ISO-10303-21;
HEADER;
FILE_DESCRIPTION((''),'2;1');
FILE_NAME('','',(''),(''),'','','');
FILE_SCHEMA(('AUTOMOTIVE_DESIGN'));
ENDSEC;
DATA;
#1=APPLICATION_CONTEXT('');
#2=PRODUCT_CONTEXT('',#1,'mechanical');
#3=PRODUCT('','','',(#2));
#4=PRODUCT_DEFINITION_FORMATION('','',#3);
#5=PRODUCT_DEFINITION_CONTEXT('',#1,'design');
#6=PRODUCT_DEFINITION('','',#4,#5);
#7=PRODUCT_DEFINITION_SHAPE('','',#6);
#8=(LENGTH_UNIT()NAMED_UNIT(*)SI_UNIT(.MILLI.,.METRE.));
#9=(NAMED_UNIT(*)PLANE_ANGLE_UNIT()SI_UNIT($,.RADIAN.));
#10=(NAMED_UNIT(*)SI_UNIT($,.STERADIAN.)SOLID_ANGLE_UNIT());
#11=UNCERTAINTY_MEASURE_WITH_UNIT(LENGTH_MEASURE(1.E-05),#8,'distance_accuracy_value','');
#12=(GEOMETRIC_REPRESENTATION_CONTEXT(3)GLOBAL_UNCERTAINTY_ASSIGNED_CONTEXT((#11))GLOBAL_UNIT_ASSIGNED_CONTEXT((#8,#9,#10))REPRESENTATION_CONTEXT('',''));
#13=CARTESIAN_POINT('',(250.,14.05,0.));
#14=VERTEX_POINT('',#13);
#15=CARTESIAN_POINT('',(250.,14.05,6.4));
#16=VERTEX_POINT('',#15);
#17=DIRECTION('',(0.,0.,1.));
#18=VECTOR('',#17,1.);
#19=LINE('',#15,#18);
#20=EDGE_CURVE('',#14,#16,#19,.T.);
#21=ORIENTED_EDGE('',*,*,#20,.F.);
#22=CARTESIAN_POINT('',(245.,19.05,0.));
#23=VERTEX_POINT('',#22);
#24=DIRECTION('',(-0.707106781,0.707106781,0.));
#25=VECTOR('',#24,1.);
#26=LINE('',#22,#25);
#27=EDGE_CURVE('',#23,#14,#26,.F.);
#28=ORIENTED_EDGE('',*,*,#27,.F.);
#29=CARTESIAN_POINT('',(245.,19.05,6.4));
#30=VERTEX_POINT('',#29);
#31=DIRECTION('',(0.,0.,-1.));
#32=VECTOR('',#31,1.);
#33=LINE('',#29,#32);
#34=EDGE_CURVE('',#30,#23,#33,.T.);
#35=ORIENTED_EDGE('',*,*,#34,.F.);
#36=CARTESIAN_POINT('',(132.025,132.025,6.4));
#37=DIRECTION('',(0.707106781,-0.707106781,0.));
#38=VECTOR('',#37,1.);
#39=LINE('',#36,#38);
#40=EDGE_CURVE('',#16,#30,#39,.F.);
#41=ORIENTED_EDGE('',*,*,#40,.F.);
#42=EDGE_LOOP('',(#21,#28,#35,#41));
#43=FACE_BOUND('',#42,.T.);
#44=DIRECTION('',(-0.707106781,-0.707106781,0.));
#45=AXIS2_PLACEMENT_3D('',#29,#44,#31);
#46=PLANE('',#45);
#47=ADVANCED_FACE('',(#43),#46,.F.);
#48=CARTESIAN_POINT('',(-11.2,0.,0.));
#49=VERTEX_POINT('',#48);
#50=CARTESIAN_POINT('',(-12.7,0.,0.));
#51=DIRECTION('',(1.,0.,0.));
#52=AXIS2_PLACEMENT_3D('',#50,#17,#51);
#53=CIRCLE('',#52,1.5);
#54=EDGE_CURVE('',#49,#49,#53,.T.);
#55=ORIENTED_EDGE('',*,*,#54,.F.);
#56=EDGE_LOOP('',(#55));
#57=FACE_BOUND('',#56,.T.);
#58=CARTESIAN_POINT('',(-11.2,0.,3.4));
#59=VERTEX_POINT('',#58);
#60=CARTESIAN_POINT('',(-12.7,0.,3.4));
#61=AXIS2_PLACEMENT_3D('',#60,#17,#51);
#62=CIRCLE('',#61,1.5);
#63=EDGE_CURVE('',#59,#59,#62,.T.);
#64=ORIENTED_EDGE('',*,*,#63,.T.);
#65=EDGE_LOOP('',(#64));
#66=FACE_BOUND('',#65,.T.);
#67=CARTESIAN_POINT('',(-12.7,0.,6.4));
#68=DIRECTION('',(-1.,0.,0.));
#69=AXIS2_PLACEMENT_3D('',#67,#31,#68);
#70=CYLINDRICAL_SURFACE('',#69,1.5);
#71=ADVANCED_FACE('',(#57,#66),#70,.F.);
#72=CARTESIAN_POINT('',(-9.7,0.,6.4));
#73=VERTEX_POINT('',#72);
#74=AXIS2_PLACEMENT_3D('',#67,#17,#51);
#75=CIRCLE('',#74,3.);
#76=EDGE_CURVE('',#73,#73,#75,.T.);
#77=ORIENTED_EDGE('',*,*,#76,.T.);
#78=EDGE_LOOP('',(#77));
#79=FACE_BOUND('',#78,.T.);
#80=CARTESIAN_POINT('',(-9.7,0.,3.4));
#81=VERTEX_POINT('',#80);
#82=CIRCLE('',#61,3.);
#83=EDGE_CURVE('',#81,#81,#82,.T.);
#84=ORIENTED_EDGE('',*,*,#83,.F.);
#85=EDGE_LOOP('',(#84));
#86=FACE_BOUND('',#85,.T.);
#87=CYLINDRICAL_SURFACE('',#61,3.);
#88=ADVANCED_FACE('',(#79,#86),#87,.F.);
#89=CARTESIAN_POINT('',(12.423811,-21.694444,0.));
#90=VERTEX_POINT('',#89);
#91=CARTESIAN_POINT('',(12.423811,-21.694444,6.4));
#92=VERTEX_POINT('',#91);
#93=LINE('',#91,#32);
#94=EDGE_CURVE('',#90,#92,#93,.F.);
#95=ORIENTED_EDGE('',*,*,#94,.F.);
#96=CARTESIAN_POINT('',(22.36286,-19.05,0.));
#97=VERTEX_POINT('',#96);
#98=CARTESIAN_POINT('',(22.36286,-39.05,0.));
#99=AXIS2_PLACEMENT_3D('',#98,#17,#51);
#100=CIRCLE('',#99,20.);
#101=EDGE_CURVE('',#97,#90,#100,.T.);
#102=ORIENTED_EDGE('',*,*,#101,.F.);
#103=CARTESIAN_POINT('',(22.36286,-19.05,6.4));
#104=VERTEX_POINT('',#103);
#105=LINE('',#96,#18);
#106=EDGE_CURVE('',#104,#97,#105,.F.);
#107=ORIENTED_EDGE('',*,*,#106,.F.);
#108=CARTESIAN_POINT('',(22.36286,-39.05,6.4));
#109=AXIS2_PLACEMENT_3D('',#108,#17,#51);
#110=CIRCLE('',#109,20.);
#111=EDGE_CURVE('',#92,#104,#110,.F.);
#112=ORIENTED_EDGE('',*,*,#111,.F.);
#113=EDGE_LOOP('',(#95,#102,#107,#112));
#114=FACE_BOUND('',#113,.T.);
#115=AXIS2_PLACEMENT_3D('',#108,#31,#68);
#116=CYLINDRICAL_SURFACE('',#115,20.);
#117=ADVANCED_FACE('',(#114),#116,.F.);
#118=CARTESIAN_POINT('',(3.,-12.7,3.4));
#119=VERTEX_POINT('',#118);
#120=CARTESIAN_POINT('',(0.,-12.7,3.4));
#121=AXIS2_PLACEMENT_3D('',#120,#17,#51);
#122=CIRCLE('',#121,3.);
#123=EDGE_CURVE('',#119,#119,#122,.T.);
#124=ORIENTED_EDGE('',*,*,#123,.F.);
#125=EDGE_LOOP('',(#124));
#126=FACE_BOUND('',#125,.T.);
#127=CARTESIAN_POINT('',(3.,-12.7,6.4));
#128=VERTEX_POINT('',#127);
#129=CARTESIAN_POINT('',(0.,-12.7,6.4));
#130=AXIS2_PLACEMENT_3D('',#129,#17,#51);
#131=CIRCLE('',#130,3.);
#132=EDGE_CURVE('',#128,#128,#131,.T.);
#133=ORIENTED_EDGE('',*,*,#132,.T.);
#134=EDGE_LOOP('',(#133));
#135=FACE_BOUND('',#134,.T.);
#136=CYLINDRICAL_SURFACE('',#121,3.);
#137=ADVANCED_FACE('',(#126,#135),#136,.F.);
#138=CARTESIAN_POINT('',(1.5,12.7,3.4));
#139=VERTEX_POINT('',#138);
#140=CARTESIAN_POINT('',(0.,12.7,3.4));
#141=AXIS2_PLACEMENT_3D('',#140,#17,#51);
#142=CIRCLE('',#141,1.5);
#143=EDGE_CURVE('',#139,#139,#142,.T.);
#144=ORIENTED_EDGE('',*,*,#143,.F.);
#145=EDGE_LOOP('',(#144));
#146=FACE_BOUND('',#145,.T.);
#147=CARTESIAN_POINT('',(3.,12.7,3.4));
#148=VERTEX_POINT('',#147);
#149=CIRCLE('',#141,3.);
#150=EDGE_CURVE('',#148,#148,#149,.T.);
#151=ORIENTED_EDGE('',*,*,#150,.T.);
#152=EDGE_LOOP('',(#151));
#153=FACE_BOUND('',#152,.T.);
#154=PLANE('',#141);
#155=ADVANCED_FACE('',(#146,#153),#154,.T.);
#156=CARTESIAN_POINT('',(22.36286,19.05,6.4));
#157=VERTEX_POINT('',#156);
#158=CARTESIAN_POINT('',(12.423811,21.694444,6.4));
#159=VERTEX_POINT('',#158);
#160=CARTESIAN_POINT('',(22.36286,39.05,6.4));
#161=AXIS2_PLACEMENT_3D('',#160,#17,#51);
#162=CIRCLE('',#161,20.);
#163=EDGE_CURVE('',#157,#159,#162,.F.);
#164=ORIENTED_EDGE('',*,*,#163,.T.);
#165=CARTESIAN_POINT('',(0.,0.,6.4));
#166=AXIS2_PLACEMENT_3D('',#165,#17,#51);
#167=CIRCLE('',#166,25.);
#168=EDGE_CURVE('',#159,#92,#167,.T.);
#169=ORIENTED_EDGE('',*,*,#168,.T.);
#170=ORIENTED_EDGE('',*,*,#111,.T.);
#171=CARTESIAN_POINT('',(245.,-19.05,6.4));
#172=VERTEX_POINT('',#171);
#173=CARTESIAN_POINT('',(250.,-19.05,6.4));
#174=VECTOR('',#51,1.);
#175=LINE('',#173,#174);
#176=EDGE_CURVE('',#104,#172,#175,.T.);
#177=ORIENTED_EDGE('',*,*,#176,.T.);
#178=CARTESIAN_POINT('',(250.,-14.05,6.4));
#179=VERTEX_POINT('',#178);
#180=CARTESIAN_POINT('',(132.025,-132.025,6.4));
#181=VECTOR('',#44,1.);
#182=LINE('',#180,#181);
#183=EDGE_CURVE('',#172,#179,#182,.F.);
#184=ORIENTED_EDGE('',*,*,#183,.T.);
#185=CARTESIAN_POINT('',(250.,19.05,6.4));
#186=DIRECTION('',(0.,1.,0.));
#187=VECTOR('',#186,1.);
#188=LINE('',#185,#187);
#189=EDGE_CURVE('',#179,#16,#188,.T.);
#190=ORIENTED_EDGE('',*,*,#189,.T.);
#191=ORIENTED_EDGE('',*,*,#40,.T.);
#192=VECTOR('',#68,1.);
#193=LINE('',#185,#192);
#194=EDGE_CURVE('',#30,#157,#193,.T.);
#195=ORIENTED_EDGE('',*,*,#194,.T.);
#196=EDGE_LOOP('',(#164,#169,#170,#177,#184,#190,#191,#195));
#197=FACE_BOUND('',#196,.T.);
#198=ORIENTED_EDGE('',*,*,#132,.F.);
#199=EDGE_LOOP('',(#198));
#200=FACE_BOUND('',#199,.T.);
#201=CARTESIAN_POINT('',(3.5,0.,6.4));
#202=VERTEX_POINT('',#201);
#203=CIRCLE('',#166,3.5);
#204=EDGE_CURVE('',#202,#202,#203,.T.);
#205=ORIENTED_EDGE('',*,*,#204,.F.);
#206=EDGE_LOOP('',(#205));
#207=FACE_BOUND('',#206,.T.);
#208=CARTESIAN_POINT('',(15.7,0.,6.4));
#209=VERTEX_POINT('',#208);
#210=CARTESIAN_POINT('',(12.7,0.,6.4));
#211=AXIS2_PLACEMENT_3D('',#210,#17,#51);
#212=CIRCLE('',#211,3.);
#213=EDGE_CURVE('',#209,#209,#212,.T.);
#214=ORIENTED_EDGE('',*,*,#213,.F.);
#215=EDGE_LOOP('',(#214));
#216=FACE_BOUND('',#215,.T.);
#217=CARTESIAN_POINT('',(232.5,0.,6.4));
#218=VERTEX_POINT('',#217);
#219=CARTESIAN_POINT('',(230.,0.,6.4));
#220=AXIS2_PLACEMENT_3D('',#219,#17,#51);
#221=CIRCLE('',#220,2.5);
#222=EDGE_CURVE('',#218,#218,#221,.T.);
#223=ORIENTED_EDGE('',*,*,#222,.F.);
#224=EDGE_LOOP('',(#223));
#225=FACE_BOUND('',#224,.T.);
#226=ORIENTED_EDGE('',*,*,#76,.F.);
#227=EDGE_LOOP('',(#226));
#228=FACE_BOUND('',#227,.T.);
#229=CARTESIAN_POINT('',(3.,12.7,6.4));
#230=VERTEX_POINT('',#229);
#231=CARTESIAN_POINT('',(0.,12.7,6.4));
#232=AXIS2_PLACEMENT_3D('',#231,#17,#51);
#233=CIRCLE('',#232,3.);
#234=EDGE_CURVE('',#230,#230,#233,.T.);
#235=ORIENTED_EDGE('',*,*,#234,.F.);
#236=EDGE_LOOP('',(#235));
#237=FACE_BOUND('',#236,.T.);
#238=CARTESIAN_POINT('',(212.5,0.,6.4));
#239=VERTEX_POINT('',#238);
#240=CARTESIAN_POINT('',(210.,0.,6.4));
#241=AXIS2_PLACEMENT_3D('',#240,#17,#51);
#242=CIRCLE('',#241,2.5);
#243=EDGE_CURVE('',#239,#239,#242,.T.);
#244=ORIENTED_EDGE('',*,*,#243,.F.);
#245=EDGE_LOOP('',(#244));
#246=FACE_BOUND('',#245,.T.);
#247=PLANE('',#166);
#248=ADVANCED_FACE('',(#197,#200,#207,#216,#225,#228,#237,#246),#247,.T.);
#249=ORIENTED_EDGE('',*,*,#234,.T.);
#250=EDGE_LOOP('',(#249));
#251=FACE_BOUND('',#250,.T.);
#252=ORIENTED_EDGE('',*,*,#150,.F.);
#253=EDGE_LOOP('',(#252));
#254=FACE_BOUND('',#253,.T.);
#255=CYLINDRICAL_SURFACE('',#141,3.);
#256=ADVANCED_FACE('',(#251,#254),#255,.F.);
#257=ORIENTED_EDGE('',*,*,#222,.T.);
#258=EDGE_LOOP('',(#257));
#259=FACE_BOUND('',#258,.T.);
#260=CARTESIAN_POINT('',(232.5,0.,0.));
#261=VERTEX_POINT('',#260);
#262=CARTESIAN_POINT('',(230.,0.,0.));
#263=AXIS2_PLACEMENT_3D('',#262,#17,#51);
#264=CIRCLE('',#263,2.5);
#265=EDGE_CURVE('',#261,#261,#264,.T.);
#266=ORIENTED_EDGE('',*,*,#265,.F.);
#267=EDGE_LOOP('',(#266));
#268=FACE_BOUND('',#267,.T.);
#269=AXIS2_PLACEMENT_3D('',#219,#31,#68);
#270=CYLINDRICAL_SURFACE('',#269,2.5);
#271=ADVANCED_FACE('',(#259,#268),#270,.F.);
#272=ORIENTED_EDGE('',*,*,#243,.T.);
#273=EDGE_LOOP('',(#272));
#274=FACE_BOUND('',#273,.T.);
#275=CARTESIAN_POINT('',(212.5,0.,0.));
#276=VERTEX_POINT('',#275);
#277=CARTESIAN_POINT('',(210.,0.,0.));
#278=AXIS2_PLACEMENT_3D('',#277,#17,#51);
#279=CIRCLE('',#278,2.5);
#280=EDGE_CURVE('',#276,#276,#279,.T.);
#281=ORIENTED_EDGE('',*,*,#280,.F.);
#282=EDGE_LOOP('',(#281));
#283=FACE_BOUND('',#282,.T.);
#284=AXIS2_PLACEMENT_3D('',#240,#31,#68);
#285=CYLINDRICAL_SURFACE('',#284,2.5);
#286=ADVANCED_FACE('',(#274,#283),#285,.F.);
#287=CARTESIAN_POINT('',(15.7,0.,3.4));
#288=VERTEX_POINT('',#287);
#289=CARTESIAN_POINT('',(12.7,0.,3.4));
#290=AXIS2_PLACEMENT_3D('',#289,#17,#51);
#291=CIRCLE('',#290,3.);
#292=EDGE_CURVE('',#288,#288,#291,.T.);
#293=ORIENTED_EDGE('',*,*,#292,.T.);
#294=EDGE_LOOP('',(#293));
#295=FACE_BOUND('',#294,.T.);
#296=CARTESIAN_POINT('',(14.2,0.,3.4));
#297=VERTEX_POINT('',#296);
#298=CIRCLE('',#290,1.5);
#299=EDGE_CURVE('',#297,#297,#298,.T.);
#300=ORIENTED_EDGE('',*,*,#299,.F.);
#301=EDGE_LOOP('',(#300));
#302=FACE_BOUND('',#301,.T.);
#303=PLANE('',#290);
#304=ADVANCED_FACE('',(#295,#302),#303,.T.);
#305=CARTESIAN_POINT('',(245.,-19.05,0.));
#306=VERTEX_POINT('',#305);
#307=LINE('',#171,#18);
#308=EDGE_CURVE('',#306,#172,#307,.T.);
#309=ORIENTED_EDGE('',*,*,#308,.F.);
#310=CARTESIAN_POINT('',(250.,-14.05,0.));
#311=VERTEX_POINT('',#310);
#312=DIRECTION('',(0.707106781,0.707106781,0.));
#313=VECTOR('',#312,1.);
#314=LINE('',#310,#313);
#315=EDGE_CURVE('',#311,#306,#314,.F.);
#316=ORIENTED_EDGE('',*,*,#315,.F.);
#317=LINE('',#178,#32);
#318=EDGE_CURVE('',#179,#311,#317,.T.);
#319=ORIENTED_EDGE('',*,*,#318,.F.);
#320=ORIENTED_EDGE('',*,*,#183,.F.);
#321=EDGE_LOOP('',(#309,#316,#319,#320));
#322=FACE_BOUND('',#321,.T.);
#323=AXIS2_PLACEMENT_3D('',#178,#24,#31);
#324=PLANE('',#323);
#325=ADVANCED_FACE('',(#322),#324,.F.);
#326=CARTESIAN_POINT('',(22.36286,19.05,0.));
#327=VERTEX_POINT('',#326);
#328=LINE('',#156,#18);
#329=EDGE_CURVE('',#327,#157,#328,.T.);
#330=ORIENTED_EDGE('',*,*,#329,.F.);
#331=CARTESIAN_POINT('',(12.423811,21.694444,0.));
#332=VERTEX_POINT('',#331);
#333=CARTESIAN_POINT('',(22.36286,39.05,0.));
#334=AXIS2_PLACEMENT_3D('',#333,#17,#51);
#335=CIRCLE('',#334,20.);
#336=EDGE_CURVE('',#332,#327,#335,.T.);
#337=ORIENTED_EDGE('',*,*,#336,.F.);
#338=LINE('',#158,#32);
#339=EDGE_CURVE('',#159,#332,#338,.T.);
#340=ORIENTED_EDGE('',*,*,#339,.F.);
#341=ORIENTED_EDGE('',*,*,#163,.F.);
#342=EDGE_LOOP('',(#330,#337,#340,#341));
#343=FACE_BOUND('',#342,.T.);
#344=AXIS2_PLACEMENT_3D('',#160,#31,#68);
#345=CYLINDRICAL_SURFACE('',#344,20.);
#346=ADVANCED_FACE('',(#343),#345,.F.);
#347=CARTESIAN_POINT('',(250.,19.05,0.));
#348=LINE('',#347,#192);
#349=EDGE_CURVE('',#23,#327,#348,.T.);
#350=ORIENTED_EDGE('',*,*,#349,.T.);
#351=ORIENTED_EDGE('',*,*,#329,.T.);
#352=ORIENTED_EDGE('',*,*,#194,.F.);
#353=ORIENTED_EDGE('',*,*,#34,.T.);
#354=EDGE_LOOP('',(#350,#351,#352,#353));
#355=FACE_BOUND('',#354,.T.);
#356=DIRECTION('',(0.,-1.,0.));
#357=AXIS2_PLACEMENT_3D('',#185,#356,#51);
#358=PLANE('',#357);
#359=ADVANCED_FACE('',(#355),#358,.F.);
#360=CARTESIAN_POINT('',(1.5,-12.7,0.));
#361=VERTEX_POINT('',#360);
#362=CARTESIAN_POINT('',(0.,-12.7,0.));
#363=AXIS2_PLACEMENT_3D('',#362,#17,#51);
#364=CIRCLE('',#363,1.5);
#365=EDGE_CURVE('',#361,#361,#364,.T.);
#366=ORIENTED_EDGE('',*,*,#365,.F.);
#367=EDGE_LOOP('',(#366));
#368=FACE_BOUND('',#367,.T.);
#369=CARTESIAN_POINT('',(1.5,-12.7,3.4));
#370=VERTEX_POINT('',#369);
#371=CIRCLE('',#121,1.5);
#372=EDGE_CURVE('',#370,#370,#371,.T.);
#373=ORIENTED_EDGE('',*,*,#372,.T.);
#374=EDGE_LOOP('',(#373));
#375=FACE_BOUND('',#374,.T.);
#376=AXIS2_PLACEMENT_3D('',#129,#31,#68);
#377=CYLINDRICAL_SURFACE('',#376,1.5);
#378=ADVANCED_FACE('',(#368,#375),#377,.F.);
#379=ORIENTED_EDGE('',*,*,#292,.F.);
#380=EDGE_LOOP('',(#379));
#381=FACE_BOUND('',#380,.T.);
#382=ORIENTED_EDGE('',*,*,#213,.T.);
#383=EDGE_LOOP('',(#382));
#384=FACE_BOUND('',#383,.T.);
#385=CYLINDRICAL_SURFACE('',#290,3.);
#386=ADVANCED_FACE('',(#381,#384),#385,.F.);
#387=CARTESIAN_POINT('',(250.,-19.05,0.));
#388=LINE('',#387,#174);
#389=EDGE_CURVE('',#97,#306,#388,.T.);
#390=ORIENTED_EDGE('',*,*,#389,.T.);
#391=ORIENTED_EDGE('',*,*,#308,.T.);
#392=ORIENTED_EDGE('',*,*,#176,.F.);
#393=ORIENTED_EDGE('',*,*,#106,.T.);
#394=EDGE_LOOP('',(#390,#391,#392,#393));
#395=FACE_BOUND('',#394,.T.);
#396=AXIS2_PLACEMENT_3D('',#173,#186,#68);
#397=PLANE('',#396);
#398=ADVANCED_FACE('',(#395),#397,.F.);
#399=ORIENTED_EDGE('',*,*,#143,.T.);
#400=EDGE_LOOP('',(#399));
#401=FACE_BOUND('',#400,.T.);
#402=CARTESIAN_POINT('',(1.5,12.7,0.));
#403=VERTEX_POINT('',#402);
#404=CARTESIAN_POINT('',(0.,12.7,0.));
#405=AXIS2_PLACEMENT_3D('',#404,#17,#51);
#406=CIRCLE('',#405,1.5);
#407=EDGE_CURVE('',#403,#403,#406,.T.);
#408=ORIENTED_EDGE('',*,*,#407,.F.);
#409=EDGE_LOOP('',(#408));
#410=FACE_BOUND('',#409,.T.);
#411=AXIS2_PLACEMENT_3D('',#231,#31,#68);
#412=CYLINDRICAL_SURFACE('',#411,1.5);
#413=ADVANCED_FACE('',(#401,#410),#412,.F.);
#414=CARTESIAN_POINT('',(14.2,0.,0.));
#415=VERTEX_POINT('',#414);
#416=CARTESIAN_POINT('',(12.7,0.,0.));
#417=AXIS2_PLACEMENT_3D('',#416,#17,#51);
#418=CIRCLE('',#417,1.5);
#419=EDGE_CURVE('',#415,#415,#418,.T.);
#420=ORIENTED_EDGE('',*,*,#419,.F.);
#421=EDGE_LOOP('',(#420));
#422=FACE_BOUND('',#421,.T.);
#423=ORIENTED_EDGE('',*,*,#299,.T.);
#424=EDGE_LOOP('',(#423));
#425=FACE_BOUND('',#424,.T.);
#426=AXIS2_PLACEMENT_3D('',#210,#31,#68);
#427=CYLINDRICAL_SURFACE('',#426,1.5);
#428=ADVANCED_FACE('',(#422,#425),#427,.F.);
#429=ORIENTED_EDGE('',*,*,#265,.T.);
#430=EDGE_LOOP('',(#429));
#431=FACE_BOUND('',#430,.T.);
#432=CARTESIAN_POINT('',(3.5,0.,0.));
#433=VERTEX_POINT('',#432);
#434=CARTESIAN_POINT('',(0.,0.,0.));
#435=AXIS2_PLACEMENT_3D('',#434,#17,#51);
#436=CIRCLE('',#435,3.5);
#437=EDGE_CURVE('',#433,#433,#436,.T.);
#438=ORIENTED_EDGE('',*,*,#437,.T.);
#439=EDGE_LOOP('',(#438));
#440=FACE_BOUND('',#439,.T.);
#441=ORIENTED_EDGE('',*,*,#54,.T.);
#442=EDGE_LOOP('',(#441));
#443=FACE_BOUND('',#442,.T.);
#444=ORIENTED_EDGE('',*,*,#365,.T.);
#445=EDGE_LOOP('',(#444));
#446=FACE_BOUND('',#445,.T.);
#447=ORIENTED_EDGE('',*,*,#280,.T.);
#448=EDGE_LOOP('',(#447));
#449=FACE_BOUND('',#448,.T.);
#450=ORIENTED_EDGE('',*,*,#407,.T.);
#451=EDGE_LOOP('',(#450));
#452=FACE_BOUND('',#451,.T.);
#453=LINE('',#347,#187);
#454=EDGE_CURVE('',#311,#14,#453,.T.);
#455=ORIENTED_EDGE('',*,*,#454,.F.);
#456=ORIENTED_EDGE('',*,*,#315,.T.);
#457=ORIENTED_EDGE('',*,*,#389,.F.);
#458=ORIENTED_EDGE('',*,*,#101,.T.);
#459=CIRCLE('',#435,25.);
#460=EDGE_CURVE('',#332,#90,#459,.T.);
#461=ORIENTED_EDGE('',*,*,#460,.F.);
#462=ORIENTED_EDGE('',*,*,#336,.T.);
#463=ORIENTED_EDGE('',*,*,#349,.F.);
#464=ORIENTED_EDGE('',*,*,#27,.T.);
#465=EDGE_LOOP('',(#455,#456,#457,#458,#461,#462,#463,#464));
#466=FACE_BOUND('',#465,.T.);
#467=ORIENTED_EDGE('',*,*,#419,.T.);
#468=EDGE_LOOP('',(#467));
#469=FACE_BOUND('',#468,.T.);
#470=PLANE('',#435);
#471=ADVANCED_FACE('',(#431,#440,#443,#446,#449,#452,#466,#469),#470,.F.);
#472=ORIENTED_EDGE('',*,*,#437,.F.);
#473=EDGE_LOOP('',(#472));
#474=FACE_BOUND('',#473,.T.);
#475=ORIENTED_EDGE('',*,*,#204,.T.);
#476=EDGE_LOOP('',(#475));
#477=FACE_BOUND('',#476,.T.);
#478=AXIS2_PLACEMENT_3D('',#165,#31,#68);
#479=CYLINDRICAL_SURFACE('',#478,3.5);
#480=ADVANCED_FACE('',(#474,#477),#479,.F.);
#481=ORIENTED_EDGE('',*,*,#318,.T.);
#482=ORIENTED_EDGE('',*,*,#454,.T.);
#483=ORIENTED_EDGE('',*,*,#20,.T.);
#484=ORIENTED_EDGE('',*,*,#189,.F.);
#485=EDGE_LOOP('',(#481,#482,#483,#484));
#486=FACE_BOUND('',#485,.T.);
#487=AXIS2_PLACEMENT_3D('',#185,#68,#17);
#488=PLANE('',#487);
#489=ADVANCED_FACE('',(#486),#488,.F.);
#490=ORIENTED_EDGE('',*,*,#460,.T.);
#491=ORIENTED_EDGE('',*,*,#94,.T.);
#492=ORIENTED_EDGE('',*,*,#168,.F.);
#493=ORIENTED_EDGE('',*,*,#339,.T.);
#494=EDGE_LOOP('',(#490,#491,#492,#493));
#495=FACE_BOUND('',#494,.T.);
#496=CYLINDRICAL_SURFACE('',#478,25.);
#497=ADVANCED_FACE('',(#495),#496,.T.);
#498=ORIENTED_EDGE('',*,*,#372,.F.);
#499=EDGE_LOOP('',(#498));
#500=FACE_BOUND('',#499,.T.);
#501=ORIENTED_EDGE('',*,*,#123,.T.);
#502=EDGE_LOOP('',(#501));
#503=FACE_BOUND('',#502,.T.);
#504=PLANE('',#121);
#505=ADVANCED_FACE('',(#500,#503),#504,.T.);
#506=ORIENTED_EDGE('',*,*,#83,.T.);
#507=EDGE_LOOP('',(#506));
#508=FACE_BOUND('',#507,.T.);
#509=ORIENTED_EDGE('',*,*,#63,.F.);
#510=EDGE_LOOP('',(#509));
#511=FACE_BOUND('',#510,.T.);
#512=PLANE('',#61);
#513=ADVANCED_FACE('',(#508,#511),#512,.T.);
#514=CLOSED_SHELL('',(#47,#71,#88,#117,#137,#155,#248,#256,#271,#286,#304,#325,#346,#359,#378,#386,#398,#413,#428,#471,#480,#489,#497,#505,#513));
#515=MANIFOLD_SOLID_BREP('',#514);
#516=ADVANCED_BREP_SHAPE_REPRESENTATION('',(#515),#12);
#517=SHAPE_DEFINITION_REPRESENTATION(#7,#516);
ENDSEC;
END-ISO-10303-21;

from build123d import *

# Parameters (mm, degrees)
SKETCH1_R           = 2.5
SKETCH1_R_2         = 1.5
SKETCH1_R_3         = 3.5
BOSS_EXTRUDE1_DEPTH = 6.4
SKETCH2_R           = 3
CUT_EXTRUDE1_DEPTH  = 3
FILLET1_R           = 20
CHAMFER1_SIZE       = 5


with BuildPart() as part:
    # Sketch1 → Boss-Extrude1 (new body)
    with BuildSketch(Plane.XY):
        with BuildLine():
            Line((250, 19.05), (16.189425561, 19.05))
            ThreePointArc((16.189425561, 19.05), (-25, 0), (16.189425561, -19.05))
            Line((16.189425561, -19.05), (250, -19.05))
            Line((250, -19.05), (250, 19.05))
        make_face()
        with Locations((230, 0)):
            Circle(SKETCH1_R, mode=Mode.SUBTRACT)
        with Locations((210, 0)):
            Circle(SKETCH1_R, mode=Mode.SUBTRACT)
        with Locations((0, 12.7)):
            Circle(SKETCH1_R_2, mode=Mode.SUBTRACT)
        with Locations((12.7, 0)):
            Circle(SKETCH1_R_2, mode=Mode.SUBTRACT)
        with Locations((0, -12.7)):
            Circle(SKETCH1_R_2, mode=Mode.SUBTRACT)
        with Locations((-12.7, 0)):
            Circle(SKETCH1_R_2, mode=Mode.SUBTRACT)
        Circle(SKETCH1_R_3, mode=Mode.SUBTRACT)
    extrude(amount=BOSS_EXTRUDE1_DEPTH)

    # Sketch2 → Cut-Extrude1 (cut)
    with BuildSketch(Plane.XY.offset(6.4)):
        with Locations((0, 12.7)):
            Circle(SKETCH2_R)
        with Locations((12.7, 0)):
            Circle(SKETCH2_R)
        with Locations((0, -12.7)):
            Circle(SKETCH2_R)
        with Locations((-12.7, 0)):
            Circle(SKETCH2_R)
    extrude(amount=-CUT_EXTRUDE1_DEPTH, mode=Mode.SUBTRACT)

    # Fillet1
    fillet1_edges = [part.edges().sort_by_distance(p)[0] for p in [
        (16.189425561, -19.05, 3.2),
        (16.189425561, 19.05, 3.2),
    ]]
    fillet(fillet1_edges, radius=FILLET1_R)

    # Chamfer1
    chamfer1_edges = [part.edges().sort_by_distance(p)[0] for p in [
        (250, -19.05, 3.2),
        (250, 19.05, 3.2),
    ]]
    chamfer(chamfer1_edges, length=CHAMFER1_SIZE)


solid = part.part
